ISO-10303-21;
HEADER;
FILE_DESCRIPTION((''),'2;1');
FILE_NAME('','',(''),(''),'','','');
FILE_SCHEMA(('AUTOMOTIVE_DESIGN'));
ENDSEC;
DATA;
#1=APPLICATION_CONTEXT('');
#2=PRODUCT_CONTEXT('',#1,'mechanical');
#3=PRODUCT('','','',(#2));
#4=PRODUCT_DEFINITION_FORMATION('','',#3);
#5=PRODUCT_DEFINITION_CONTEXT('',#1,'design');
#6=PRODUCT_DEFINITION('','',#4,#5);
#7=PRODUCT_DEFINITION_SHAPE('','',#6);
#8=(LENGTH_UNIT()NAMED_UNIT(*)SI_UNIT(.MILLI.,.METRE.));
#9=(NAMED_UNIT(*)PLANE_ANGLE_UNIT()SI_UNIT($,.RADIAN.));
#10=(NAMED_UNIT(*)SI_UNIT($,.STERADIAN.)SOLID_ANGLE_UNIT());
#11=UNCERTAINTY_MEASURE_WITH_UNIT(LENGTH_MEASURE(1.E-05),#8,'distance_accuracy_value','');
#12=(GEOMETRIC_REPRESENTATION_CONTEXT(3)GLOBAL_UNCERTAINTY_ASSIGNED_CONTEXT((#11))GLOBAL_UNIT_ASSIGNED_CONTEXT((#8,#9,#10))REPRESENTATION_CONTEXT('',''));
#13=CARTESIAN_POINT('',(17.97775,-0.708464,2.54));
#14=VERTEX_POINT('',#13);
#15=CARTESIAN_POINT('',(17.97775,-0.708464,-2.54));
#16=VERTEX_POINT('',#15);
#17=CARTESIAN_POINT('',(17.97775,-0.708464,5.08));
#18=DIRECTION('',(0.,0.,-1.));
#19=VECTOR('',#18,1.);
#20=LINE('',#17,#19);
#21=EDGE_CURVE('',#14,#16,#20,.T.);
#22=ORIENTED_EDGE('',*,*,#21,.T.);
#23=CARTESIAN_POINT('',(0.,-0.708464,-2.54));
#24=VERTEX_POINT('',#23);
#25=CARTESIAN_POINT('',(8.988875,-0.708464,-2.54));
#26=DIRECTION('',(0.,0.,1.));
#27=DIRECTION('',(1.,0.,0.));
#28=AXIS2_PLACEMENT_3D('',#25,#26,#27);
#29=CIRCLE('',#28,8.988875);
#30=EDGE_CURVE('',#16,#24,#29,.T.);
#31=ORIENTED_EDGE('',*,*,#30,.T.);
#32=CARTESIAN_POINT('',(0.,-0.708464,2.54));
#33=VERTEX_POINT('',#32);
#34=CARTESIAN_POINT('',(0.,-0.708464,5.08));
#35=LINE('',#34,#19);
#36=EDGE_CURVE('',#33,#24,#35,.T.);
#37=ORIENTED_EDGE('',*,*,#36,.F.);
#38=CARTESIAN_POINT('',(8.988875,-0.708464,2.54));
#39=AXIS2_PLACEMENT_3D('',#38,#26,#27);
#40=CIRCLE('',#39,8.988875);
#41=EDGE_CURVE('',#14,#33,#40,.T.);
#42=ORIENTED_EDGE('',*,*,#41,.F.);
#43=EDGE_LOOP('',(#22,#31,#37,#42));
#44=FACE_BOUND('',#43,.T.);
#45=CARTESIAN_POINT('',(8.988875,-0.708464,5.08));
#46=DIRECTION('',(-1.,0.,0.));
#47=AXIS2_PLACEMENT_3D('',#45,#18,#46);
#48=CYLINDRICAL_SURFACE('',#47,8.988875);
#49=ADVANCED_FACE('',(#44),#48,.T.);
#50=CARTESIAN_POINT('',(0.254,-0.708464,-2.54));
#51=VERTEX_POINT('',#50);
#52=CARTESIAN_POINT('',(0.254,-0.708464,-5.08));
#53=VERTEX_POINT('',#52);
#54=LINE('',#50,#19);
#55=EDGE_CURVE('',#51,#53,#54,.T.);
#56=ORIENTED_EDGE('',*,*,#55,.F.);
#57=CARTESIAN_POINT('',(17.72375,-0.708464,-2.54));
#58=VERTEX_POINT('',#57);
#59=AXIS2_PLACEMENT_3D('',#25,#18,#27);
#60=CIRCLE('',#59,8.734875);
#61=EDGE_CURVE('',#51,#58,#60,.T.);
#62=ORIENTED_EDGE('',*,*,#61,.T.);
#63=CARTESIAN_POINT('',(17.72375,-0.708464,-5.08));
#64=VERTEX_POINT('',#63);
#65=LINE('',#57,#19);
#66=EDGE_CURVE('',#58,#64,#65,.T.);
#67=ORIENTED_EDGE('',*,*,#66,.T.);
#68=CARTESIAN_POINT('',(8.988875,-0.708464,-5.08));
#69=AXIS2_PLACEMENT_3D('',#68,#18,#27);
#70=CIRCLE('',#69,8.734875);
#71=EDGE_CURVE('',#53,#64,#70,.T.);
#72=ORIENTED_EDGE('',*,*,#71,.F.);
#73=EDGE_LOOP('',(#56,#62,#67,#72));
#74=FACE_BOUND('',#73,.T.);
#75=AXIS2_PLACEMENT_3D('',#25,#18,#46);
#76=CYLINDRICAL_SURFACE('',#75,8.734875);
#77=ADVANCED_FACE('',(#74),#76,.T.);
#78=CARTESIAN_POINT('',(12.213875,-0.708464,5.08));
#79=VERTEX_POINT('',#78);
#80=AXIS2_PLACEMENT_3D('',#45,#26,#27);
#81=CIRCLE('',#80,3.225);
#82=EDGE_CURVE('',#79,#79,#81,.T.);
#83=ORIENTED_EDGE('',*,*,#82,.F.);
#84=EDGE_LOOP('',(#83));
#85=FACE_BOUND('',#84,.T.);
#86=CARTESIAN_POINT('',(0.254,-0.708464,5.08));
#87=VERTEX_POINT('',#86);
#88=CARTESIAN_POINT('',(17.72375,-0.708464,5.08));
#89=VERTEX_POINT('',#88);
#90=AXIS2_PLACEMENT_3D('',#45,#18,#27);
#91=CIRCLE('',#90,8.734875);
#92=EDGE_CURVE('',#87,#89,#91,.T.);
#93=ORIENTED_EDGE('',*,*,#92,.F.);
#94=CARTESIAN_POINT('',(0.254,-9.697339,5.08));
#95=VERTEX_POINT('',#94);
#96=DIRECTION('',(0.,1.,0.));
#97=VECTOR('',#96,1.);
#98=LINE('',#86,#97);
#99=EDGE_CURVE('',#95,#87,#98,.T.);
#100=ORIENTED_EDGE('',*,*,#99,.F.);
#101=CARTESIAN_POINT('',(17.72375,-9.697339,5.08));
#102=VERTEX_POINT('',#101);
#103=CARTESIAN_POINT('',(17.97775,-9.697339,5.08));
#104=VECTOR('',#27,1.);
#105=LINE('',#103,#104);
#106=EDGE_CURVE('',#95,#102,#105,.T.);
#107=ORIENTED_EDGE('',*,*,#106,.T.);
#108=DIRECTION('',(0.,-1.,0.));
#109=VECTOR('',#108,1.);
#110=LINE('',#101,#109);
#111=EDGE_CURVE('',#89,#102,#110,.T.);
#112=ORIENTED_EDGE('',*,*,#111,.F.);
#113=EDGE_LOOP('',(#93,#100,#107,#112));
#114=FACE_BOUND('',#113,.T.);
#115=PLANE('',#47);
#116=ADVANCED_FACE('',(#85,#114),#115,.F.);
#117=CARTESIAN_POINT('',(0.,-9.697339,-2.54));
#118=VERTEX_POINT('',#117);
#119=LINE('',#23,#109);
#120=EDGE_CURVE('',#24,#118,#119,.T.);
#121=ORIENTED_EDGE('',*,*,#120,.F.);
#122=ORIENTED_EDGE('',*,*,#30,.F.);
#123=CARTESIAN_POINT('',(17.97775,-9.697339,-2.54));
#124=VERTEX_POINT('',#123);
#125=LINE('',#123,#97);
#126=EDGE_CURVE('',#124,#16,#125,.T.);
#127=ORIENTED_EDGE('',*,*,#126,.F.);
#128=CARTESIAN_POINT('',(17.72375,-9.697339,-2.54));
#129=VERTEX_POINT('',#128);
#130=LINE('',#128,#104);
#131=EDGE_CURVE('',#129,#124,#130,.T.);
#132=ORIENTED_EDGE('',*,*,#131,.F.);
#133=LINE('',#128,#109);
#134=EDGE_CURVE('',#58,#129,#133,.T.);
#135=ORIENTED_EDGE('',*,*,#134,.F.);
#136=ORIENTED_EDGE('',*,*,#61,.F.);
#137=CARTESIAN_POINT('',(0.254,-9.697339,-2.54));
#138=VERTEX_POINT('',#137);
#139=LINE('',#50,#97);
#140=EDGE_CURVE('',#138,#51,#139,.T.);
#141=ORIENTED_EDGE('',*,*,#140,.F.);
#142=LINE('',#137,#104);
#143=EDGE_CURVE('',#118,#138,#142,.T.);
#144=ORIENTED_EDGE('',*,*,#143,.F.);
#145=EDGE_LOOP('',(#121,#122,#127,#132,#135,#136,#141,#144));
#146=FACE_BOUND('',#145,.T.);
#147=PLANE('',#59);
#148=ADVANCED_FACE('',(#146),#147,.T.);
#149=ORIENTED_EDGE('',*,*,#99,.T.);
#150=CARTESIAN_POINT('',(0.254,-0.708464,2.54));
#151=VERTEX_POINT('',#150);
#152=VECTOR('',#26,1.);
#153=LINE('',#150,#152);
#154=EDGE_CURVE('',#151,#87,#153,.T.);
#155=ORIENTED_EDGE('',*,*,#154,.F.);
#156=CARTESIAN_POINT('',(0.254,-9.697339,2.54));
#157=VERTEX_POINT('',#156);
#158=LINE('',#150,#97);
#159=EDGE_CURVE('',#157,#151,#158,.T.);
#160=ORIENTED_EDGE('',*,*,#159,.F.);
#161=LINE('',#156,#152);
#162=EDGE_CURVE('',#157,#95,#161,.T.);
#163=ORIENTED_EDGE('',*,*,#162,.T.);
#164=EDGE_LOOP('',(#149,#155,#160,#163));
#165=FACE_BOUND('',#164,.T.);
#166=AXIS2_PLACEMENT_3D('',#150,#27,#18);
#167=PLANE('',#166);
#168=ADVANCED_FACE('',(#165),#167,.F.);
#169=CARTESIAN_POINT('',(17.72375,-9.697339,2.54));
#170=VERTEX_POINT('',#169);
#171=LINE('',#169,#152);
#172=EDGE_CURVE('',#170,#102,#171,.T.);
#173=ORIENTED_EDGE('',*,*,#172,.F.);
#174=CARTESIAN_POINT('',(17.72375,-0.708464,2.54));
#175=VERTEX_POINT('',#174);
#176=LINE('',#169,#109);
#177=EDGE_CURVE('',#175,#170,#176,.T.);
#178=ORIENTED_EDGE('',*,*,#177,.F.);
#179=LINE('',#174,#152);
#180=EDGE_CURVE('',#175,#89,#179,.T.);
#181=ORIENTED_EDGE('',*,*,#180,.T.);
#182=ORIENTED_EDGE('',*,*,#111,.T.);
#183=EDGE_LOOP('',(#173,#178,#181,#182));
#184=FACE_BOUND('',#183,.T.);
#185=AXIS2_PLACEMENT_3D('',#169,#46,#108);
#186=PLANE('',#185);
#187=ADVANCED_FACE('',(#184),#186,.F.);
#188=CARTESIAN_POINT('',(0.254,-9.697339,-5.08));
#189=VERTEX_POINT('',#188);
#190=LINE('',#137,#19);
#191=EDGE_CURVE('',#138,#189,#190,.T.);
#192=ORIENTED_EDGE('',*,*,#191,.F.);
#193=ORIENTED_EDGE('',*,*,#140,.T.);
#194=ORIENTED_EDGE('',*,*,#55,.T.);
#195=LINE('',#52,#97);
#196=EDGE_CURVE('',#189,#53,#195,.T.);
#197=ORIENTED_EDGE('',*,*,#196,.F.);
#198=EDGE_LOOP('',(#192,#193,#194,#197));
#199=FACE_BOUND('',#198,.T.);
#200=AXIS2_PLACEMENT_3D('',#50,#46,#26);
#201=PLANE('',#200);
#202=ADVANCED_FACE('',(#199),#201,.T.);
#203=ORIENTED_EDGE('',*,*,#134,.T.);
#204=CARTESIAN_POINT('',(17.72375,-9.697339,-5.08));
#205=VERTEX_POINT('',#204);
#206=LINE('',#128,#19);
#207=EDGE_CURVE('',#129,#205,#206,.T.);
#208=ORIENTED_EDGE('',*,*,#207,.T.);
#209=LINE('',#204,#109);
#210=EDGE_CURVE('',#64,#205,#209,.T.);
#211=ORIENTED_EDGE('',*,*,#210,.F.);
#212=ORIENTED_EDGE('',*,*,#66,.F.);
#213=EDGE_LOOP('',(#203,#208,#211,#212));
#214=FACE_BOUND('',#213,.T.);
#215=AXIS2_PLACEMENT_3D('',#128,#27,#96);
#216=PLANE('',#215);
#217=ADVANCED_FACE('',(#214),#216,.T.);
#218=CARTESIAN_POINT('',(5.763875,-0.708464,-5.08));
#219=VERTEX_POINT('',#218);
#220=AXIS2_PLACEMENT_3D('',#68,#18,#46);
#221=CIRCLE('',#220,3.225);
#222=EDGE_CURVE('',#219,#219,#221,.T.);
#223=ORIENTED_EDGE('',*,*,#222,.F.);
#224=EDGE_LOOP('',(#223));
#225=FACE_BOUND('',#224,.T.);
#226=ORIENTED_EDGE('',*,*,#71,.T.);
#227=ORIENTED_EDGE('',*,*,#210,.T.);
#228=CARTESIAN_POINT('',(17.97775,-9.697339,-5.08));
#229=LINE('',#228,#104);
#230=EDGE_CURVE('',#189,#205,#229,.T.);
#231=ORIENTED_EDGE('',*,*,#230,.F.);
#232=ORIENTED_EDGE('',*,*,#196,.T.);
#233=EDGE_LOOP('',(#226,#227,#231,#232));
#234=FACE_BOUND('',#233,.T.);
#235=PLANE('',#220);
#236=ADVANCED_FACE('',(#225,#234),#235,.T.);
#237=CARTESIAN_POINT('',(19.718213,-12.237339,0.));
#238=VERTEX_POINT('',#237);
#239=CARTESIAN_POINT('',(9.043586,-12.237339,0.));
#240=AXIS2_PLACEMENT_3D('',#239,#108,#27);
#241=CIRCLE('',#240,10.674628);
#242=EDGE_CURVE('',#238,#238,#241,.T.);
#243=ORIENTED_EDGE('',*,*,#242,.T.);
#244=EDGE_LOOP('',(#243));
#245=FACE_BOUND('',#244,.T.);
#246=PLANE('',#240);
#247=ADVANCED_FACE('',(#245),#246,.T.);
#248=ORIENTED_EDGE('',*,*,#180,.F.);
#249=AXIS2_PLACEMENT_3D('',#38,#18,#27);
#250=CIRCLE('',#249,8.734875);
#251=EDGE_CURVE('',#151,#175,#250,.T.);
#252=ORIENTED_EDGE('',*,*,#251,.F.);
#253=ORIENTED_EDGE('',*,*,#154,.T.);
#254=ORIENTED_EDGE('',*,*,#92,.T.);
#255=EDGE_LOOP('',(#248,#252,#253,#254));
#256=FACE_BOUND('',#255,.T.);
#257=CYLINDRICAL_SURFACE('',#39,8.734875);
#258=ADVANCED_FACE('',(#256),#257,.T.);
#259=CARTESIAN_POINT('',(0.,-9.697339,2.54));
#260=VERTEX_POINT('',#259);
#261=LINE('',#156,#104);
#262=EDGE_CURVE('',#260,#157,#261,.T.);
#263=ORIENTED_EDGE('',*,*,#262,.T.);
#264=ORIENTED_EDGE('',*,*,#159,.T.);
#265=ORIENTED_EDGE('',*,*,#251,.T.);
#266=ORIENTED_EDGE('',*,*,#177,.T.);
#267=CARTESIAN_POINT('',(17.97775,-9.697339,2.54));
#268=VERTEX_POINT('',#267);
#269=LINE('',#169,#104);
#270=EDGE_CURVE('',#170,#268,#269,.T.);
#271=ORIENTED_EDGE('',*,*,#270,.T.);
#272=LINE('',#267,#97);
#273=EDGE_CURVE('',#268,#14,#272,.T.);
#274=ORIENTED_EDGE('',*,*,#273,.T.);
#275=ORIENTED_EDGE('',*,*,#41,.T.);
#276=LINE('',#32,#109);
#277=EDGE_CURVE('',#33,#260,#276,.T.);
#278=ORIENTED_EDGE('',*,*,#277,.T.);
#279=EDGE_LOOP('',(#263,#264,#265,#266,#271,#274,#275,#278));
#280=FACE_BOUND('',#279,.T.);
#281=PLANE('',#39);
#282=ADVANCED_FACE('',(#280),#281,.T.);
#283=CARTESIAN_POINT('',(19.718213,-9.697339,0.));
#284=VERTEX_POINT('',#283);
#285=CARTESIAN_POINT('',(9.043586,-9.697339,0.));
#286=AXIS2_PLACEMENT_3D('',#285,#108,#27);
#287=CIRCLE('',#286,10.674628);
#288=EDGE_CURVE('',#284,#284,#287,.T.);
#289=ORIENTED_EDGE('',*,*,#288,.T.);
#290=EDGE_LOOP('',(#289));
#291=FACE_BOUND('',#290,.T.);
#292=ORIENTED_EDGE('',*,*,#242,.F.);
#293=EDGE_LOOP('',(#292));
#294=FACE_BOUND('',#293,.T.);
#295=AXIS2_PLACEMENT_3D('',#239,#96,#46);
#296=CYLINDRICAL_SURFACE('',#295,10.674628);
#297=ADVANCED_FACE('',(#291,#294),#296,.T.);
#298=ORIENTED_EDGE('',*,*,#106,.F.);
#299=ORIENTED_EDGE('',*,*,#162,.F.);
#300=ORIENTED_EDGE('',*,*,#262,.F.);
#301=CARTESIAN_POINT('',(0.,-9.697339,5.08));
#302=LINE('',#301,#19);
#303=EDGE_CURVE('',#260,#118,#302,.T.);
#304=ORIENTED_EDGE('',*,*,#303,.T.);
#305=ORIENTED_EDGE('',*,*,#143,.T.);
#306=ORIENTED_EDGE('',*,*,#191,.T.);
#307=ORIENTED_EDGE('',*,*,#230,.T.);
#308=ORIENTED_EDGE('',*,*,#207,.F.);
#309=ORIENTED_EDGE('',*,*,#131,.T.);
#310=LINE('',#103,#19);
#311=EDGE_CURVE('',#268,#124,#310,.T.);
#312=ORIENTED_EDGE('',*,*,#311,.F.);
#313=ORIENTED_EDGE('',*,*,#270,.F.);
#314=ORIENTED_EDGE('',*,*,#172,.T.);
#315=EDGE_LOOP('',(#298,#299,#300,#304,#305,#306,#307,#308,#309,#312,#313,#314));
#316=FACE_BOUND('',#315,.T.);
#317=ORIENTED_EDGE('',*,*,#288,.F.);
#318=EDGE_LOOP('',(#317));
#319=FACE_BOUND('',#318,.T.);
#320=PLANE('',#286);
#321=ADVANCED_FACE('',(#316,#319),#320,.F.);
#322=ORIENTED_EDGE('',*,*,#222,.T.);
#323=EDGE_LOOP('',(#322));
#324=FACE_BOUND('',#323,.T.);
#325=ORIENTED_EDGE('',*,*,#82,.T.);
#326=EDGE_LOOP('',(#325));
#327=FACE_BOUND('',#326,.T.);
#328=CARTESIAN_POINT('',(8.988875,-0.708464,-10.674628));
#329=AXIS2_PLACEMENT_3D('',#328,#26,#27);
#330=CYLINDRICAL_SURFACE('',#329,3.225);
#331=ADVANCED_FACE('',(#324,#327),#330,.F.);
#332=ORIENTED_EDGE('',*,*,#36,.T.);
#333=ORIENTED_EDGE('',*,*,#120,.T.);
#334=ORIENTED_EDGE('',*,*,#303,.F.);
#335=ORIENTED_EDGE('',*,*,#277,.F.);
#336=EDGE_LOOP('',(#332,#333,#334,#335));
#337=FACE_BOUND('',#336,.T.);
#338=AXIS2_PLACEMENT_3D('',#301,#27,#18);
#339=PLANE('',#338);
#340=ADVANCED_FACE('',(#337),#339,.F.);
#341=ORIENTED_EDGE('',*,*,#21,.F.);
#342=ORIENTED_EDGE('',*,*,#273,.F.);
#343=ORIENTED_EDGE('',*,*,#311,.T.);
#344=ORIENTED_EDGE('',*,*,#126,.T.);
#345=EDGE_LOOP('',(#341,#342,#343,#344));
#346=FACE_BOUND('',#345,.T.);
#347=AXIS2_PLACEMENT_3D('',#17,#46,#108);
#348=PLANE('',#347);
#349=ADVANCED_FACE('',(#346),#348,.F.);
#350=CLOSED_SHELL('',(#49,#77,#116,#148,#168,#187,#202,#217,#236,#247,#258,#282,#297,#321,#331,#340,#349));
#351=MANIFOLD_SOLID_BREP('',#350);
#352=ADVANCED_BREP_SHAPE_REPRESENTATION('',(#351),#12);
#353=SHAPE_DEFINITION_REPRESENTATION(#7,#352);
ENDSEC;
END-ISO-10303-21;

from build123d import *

# Parameters (mm, degrees)
EXTRUDE1_DEPTH     = 5.08
SKETCH4_R          = 10.674627582
EXTRUDE2_DEPTH     = 2.54
SKETCH6_R          = 3.225
CUT_EXTRUDE1_DEPTH = 29.049397538
EXTRUDE3_DEPTH     = 2.54


with BuildPart() as part:
    # Sketch3 → Extrude1 (new, symmetric)
    with BuildSketch(Plane.XY):
        with BuildLine():
            Line((17.977749936, -9.697339402), (0, -9.697339402))
            Line((0, -9.697339402), (0, -0.708464433))
            ThreePointArc((0, -0.708464433), (8.988874968, 8.280410535), (17.977749936, -0.708464433))
            Line((17.977749936, -0.708464433), (17.977749936, -9.697339402))
        make_face()
    extrude(amount=EXTRUDE1_DEPTH, both=True)

    # Sketch4 → Extrude2 (add)
    with BuildSketch(Plane.XZ.offset(9.697339402)):
        with Locations((9.043585733, 0)):
            Circle(SKETCH4_R)
    extrude(amount=EXTRUDE2_DEPTH)

    # Sketch6 → Cut-Extrude1 (cut, through all)
    with BuildSketch(Plane.XY.offset(5.08)):
        with Locations((8.988874968, -0.708464433)):
            Circle(SKETCH6_R)
    extrude(amount=-CUT_EXTRUDE1_DEPTH, mode=Mode.SUBTRACT)

    # Sketch8 → Extrude3 (cut)
    with BuildSketch(Plane.XY.offset(5.08)):
        with BuildLine():
            Line((0.254, -9.697339402), (0, -9.697339402))
            Line((0, -9.697339402), (0, -0.708464433))
            ThreePointArc((0, -0.708464433), (8.988874968, 8.280410535), (17.977749936, -0.708464433))
            Line((17.977749936, -0.708464433), (17.977749936, -9.697339402))
            Line((17.977749936, -9.697339402), (17.723749936, -9.697339402))
            Line((17.723749936, -9.697339402), (17.723749936, -0.708464433))
            ThreePointArc((17.723749936, -0.708464433), (8.988874968, 8.026410535), (0.254, -0.708464433))
            Line((0.254, -0.708464433), (0.254, -9.697339402))
        make_face()
    extrude3 = extrude(amount=-EXTRUDE3_DEPTH, mode=Mode.SUBTRACT)

    # Mirror1: Extrude3 across plane
    add(extrude3.mirror(Plane.XY), mode=Mode.SUBTRACT)


solid = part.part
